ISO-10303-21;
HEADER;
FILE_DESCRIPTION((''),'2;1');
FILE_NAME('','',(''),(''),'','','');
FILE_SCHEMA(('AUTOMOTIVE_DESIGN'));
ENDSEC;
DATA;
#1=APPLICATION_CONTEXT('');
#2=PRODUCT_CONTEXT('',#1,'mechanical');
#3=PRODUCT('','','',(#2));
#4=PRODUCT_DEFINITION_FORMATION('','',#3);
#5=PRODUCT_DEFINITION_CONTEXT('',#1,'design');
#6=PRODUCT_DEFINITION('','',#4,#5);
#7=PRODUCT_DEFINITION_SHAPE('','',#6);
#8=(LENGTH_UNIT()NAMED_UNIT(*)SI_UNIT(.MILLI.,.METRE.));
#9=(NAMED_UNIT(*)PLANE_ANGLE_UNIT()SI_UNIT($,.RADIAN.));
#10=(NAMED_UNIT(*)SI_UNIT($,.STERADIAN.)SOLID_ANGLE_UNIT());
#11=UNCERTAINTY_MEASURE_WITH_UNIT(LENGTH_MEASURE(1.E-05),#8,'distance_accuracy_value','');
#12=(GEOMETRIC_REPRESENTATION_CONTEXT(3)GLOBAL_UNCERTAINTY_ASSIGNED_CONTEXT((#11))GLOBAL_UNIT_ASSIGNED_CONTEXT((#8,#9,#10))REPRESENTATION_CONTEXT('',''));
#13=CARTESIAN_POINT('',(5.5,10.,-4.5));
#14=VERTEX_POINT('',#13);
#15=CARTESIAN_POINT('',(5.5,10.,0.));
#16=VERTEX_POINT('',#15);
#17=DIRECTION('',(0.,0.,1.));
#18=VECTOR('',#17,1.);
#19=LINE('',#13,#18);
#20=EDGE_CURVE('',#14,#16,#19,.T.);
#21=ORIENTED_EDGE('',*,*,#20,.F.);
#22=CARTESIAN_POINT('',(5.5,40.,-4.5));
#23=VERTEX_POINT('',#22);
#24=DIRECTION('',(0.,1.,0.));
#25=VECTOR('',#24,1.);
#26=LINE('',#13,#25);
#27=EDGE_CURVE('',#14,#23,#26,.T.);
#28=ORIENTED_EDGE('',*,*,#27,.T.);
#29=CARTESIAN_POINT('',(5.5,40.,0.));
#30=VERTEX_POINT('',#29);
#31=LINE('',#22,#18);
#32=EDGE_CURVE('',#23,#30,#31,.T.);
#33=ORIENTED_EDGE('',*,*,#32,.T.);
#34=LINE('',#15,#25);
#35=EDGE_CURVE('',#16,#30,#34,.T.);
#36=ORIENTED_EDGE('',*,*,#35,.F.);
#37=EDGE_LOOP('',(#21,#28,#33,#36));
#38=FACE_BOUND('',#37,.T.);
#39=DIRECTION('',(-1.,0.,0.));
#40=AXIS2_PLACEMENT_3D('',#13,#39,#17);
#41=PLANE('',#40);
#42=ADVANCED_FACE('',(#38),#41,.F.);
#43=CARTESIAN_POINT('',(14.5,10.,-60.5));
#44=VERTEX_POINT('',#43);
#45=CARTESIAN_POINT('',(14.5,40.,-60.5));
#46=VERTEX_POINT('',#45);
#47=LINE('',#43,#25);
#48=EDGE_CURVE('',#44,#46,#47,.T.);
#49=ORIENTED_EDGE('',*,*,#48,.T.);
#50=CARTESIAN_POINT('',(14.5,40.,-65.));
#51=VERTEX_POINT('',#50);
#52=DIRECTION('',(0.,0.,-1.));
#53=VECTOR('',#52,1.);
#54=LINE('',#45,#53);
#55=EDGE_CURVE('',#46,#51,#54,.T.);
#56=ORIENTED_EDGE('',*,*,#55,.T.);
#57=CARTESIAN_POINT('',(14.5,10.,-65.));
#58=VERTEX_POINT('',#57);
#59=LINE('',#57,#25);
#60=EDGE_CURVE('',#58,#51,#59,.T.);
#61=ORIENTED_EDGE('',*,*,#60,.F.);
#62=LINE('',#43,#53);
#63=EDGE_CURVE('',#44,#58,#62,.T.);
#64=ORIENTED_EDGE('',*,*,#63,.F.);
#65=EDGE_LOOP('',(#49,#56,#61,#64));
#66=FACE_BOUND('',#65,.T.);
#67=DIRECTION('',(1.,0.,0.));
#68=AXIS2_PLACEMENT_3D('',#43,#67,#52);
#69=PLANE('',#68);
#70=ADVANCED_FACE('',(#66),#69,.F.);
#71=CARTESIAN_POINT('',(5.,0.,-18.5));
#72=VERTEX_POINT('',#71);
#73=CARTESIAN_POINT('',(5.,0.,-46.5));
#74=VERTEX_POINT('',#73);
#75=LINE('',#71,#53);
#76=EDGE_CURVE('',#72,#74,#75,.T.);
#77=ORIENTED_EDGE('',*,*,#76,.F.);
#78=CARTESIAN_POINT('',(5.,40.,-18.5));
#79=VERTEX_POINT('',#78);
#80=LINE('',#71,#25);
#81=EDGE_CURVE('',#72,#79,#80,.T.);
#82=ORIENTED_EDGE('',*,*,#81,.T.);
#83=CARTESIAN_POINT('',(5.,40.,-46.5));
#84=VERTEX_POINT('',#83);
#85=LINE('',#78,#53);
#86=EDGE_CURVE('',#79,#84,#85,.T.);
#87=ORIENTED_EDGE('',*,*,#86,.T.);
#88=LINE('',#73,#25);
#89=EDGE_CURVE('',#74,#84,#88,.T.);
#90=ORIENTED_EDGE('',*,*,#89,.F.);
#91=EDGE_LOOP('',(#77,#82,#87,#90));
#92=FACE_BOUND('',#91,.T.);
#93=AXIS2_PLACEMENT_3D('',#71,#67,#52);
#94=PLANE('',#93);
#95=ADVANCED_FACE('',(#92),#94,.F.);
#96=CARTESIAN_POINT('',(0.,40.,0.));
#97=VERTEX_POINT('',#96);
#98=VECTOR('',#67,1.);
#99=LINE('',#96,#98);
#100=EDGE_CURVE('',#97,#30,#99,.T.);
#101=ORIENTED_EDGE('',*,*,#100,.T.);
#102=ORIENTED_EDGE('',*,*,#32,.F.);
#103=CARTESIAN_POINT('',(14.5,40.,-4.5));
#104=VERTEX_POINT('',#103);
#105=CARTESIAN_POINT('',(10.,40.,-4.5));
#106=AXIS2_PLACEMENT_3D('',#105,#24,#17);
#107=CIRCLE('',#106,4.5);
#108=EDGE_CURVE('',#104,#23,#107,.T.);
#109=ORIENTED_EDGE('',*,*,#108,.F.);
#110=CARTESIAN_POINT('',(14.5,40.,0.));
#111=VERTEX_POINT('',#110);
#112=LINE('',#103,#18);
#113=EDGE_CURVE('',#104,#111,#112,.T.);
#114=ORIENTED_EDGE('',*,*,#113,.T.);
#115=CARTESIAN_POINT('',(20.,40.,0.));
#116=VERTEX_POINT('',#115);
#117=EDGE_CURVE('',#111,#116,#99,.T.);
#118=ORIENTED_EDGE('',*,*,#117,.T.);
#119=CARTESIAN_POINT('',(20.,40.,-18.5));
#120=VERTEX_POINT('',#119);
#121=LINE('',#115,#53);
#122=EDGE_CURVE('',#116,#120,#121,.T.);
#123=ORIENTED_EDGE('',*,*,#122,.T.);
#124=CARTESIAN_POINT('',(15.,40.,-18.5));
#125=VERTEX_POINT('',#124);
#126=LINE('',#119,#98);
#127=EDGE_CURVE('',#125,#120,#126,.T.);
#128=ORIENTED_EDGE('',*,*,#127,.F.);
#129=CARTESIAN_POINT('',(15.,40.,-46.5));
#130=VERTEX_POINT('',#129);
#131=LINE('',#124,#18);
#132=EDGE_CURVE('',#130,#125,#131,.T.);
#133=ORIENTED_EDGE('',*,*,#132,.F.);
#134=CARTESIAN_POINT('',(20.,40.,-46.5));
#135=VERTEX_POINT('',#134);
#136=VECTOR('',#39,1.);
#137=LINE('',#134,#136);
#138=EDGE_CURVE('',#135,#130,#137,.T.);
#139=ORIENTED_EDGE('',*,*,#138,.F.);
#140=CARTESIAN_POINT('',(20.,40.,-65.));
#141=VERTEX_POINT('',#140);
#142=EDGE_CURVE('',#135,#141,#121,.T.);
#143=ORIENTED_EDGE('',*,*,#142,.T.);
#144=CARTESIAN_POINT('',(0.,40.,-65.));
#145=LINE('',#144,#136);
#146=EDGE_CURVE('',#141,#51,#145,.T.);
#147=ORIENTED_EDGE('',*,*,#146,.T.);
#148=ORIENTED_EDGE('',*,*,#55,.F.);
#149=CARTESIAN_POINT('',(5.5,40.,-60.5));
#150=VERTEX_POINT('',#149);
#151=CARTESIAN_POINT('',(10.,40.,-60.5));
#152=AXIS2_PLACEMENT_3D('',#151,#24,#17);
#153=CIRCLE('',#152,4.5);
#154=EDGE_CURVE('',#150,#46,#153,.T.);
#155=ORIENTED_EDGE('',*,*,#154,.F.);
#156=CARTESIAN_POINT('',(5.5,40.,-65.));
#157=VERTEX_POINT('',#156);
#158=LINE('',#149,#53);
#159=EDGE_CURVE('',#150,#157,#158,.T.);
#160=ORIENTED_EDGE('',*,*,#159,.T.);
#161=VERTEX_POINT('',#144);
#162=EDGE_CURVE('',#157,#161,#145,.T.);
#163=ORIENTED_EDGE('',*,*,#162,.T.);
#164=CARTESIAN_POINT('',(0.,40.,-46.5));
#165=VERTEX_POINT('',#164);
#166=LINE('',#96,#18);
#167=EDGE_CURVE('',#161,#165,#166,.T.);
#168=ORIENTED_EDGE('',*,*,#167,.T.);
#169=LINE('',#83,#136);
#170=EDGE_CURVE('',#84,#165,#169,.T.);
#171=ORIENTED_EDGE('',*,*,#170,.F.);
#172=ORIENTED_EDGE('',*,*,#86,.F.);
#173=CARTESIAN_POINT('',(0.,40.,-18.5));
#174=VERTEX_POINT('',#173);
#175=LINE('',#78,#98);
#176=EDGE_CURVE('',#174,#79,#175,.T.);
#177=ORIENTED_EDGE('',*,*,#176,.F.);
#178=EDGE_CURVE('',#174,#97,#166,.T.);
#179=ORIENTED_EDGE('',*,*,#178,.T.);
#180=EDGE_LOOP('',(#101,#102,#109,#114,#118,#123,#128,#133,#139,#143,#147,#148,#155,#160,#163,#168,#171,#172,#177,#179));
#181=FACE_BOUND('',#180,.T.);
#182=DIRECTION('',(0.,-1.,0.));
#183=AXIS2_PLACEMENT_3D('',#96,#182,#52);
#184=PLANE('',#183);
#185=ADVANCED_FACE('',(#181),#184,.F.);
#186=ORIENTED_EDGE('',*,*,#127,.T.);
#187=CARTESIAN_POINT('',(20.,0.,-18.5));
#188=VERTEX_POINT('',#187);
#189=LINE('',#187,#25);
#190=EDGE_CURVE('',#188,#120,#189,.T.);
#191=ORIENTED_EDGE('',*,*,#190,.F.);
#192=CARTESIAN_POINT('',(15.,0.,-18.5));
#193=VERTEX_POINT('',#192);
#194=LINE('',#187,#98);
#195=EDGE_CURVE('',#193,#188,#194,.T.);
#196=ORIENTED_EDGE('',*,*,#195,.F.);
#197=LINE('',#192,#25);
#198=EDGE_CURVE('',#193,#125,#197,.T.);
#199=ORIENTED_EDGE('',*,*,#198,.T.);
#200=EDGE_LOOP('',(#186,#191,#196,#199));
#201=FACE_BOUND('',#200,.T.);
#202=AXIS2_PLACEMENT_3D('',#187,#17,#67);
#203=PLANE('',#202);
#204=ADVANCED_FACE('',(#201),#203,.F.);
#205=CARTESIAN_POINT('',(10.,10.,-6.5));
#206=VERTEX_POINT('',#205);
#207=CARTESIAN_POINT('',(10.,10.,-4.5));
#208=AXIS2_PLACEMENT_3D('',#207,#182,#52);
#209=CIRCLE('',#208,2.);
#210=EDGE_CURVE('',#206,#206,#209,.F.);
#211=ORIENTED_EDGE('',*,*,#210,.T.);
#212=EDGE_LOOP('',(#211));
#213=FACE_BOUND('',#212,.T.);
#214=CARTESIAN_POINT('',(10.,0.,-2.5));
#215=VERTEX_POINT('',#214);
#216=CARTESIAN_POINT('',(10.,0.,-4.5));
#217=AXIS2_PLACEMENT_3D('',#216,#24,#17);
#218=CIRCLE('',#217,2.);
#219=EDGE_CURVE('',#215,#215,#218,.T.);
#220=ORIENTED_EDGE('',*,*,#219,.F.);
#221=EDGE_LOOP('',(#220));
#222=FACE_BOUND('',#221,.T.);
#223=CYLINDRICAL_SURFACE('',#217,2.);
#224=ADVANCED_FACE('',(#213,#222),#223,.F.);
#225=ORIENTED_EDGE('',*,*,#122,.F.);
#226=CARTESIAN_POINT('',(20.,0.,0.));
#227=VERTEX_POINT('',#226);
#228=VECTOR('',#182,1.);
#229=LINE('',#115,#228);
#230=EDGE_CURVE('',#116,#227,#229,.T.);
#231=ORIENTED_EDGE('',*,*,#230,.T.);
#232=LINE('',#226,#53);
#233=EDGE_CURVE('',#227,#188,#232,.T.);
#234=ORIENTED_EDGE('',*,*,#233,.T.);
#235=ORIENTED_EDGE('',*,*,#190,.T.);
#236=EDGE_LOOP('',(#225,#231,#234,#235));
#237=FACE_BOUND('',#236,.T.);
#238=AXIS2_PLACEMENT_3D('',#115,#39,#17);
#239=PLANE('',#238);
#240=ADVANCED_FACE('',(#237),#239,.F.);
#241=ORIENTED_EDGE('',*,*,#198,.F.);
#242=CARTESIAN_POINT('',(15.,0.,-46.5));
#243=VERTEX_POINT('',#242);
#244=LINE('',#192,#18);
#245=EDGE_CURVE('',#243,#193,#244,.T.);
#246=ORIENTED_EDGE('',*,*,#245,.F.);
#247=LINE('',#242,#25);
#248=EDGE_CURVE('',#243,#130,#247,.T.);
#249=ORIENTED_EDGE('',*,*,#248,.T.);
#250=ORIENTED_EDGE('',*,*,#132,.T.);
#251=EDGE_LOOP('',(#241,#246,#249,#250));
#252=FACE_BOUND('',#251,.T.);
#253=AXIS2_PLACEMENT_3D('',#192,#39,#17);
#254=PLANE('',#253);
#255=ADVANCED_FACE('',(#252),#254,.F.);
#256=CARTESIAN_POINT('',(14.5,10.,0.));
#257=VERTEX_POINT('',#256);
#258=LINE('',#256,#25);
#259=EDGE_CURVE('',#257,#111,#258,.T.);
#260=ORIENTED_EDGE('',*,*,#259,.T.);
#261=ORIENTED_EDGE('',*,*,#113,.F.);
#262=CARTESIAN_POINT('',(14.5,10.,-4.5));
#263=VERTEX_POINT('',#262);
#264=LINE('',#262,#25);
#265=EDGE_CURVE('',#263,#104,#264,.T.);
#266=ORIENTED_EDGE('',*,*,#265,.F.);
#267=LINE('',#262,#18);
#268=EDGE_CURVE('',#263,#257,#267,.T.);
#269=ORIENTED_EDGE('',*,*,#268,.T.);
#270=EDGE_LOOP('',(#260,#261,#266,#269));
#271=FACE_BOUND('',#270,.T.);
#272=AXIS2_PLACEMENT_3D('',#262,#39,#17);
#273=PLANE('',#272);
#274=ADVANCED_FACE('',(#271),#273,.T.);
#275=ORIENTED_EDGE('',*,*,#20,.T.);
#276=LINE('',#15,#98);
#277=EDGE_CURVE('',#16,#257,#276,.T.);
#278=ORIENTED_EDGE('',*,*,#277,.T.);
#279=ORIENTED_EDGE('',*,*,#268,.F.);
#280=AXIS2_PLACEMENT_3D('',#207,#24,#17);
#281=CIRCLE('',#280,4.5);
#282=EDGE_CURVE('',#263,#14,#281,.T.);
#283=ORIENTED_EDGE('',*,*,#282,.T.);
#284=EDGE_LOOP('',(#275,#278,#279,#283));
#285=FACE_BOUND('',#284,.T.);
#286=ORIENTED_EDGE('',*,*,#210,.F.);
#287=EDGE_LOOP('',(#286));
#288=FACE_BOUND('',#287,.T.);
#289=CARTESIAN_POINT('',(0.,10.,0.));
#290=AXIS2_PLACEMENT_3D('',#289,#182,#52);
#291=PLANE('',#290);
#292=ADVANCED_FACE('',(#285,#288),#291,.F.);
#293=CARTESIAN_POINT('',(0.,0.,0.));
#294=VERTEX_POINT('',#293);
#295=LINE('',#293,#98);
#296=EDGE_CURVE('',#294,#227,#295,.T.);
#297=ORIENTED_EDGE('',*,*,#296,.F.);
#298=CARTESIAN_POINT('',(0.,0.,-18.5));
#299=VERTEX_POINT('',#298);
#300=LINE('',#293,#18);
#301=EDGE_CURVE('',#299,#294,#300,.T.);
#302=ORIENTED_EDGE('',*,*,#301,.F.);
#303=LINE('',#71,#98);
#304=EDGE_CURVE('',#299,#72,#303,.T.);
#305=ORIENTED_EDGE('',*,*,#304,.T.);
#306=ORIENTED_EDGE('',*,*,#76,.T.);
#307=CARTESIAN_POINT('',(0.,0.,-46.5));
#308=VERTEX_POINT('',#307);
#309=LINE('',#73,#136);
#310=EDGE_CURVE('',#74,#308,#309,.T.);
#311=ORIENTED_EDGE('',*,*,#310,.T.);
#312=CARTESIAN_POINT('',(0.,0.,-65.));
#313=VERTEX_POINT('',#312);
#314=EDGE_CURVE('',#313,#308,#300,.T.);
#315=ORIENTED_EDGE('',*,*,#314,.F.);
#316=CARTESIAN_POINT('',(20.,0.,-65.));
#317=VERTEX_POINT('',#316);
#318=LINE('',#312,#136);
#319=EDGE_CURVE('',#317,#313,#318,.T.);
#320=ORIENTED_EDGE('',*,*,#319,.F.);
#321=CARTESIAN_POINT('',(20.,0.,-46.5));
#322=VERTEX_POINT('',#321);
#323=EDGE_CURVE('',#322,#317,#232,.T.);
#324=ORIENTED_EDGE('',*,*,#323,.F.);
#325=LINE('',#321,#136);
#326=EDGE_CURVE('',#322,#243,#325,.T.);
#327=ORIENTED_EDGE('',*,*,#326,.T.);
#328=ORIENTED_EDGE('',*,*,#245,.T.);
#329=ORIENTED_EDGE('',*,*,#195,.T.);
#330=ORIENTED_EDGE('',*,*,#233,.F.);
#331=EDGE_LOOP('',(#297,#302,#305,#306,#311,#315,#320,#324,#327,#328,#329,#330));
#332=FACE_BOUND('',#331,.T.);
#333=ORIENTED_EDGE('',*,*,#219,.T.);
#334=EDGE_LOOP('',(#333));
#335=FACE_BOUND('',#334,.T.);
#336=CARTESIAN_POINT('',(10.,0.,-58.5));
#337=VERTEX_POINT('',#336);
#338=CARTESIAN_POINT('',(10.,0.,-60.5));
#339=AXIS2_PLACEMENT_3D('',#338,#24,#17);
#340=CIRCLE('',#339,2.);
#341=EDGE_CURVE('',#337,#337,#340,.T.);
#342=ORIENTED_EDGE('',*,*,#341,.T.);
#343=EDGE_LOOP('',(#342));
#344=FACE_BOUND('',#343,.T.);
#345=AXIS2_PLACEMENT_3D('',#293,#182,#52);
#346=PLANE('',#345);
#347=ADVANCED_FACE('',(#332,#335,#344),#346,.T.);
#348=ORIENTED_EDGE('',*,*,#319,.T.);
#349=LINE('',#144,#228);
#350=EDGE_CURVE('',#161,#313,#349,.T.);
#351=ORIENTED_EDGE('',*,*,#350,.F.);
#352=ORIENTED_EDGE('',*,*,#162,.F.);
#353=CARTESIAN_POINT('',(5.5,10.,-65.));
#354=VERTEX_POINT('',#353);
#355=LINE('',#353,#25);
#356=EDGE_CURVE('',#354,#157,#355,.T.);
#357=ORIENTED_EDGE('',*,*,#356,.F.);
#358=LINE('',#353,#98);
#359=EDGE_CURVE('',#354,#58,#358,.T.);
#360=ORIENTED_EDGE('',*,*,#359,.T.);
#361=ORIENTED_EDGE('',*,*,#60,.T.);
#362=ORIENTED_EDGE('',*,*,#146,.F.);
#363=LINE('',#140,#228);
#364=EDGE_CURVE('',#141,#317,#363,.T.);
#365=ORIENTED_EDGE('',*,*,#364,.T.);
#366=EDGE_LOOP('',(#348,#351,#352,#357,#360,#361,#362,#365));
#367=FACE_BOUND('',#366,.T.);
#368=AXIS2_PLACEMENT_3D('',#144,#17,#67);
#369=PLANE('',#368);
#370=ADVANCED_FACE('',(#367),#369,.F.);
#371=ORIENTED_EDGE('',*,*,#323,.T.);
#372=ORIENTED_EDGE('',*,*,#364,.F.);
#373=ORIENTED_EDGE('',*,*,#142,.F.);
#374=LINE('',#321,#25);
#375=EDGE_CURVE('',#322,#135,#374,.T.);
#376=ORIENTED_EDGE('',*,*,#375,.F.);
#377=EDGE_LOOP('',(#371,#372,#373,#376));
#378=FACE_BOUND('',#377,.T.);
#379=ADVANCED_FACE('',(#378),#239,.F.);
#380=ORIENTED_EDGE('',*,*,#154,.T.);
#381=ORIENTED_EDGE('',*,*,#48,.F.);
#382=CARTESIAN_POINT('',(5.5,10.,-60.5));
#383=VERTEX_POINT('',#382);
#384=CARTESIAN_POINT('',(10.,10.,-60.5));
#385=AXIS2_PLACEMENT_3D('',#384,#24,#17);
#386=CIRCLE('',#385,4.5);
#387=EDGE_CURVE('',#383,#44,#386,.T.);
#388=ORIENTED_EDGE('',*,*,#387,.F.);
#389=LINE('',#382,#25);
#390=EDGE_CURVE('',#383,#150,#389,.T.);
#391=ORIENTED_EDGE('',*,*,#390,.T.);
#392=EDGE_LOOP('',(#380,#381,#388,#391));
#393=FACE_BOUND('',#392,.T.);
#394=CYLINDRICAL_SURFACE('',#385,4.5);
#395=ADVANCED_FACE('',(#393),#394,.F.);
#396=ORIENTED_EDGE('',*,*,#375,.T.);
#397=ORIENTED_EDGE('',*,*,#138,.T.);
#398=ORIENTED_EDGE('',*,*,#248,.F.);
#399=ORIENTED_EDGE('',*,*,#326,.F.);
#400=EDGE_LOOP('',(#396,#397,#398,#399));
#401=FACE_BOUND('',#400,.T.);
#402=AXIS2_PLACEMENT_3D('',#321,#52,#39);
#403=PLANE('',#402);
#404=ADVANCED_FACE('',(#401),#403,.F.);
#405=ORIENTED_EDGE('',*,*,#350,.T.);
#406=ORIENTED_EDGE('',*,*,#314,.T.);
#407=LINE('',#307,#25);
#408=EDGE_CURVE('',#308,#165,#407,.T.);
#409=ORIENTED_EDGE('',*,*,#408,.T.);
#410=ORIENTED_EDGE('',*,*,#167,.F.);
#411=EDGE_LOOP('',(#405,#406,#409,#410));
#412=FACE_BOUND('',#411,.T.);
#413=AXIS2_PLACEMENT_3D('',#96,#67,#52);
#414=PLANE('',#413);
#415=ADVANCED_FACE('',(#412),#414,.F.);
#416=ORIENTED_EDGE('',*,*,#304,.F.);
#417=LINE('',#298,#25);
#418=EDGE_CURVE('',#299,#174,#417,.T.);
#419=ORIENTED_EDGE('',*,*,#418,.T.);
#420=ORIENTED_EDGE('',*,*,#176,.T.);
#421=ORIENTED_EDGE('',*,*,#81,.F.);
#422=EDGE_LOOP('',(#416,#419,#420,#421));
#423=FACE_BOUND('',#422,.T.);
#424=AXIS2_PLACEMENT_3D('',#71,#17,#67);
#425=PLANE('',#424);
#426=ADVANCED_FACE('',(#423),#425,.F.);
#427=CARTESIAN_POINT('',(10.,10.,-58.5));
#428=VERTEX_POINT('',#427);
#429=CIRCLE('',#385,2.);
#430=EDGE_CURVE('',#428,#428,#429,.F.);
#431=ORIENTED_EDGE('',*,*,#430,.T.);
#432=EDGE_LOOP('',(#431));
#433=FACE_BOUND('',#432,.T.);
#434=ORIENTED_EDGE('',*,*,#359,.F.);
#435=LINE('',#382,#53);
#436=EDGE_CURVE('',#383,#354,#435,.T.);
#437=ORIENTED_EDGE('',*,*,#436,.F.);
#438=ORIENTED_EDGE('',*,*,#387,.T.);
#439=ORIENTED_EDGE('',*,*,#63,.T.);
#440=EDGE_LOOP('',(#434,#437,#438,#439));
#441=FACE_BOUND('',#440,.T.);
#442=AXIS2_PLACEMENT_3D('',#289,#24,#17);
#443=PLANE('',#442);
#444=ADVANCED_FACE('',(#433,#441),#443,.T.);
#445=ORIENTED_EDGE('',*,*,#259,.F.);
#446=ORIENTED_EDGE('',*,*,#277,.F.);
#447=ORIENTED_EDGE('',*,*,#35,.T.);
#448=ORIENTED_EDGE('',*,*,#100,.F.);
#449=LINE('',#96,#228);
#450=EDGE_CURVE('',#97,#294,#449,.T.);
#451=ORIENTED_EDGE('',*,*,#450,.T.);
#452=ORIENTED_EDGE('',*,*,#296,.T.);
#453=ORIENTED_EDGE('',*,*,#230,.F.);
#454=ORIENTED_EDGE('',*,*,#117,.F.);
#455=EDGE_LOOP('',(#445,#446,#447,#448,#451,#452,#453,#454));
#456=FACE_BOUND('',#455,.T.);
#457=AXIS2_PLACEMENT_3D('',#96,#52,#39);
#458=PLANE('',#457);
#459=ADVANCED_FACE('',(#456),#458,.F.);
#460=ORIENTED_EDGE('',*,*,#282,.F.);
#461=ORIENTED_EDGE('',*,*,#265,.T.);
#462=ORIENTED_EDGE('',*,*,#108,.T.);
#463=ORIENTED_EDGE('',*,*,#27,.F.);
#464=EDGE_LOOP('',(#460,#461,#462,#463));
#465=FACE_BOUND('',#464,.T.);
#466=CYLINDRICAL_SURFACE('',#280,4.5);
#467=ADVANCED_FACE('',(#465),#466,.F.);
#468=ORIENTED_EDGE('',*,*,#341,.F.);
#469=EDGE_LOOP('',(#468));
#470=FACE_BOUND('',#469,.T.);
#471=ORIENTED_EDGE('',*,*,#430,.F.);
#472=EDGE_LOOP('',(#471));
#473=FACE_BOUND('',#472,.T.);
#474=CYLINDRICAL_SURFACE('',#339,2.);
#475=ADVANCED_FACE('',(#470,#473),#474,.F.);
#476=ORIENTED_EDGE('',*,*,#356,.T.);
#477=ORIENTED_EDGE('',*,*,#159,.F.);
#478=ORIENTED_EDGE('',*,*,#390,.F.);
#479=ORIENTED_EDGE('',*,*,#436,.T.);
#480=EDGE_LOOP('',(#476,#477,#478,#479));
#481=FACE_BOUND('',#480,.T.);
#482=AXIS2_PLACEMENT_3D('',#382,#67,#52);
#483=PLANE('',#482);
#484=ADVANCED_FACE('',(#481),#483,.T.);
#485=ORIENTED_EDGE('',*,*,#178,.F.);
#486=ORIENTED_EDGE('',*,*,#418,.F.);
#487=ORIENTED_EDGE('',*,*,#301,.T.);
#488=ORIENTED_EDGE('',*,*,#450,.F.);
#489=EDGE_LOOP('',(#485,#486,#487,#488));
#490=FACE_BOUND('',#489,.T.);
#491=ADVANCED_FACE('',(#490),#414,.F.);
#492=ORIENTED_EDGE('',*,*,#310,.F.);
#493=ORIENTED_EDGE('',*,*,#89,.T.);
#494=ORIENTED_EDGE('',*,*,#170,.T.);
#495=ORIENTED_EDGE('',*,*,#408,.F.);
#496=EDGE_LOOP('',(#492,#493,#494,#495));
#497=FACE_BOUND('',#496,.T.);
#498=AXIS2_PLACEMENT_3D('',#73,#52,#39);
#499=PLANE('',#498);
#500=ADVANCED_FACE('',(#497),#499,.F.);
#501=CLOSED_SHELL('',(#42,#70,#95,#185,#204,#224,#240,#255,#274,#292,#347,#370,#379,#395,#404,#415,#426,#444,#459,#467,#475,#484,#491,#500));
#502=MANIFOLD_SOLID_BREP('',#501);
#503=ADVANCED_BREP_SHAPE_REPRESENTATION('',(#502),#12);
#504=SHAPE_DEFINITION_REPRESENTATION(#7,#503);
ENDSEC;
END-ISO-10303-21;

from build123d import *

# Parameters (mm, degrees)
SKETCH1_W           = 20
SKETCH1_H           = 65
BOSS_EXTRUDE1_DEPTH = 40
SKETCH2_R           = 2
SKETCH2_W           = 5
SKETCH2_H           = 28
CUT_EXTRUDE1_DEPTH  = 40
SKETCH4_R           = 4.5
SKETCH4_W           = 9
SKETCH4_H           = 4.5
CUT_EXTRUDE4_DEPTH  = 30


with BuildPart() as part:
    # Sketch1 → Boss-Extrude1 (new body)
    with BuildSketch(Plane(origin=(0, 0, 0), x_dir=(1, 0, 0), z_dir=(0, 1, 0))):
        with Locations((10, 32.5)):
            Rectangle(SKETCH1_W, SKETCH1_H)
    extrude(amount=BOSS_EXTRUDE1_DEPTH)

    # Sketch2 → Cut-Extrude1 (cut)
    with BuildSketch(Plane(origin=(0, 40, 0), x_dir=(1, 0, 0), z_dir=(0, 1, 0))):
        with Locations((10, 60.5)):
            Circle(SKETCH2_R)
        with Locations((10, 4.5)):
            Circle(SKETCH2_R)
        with Locations((17.5, 32.5)):
            Rectangle(SKETCH2_W, SKETCH2_H)
        with Locations((2.5, 32.5)):
            Rectangle(SKETCH2_W, SKETCH2_H)
    extrude(amount=-CUT_EXTRUDE1_DEPTH, mode=Mode.SUBTRACT)

    # Sketch4 → Cut-Extrude4 (cut)
    with BuildSketch(Plane(origin=(0, 40, 0), x_dir=(1, 0, 0), z_dir=(0, 1, 0))):
        with Locations((10, 4.5)):
            Circle(SKETCH4_R)
        with Locations((10, 60.5)):
            Circle(SKETCH4_R)
        with Locations((10, 2.25)):
            Rectangle(SKETCH4_W, SKETCH4_H)
        with Locations((10, 62.75)):
            Rectangle(SKETCH4_W, SKETCH4_H)
    extrude(amount=-CUT_EXTRUDE4_DEPTH, mode=Mode.SUBTRACT)


solid = part.part
